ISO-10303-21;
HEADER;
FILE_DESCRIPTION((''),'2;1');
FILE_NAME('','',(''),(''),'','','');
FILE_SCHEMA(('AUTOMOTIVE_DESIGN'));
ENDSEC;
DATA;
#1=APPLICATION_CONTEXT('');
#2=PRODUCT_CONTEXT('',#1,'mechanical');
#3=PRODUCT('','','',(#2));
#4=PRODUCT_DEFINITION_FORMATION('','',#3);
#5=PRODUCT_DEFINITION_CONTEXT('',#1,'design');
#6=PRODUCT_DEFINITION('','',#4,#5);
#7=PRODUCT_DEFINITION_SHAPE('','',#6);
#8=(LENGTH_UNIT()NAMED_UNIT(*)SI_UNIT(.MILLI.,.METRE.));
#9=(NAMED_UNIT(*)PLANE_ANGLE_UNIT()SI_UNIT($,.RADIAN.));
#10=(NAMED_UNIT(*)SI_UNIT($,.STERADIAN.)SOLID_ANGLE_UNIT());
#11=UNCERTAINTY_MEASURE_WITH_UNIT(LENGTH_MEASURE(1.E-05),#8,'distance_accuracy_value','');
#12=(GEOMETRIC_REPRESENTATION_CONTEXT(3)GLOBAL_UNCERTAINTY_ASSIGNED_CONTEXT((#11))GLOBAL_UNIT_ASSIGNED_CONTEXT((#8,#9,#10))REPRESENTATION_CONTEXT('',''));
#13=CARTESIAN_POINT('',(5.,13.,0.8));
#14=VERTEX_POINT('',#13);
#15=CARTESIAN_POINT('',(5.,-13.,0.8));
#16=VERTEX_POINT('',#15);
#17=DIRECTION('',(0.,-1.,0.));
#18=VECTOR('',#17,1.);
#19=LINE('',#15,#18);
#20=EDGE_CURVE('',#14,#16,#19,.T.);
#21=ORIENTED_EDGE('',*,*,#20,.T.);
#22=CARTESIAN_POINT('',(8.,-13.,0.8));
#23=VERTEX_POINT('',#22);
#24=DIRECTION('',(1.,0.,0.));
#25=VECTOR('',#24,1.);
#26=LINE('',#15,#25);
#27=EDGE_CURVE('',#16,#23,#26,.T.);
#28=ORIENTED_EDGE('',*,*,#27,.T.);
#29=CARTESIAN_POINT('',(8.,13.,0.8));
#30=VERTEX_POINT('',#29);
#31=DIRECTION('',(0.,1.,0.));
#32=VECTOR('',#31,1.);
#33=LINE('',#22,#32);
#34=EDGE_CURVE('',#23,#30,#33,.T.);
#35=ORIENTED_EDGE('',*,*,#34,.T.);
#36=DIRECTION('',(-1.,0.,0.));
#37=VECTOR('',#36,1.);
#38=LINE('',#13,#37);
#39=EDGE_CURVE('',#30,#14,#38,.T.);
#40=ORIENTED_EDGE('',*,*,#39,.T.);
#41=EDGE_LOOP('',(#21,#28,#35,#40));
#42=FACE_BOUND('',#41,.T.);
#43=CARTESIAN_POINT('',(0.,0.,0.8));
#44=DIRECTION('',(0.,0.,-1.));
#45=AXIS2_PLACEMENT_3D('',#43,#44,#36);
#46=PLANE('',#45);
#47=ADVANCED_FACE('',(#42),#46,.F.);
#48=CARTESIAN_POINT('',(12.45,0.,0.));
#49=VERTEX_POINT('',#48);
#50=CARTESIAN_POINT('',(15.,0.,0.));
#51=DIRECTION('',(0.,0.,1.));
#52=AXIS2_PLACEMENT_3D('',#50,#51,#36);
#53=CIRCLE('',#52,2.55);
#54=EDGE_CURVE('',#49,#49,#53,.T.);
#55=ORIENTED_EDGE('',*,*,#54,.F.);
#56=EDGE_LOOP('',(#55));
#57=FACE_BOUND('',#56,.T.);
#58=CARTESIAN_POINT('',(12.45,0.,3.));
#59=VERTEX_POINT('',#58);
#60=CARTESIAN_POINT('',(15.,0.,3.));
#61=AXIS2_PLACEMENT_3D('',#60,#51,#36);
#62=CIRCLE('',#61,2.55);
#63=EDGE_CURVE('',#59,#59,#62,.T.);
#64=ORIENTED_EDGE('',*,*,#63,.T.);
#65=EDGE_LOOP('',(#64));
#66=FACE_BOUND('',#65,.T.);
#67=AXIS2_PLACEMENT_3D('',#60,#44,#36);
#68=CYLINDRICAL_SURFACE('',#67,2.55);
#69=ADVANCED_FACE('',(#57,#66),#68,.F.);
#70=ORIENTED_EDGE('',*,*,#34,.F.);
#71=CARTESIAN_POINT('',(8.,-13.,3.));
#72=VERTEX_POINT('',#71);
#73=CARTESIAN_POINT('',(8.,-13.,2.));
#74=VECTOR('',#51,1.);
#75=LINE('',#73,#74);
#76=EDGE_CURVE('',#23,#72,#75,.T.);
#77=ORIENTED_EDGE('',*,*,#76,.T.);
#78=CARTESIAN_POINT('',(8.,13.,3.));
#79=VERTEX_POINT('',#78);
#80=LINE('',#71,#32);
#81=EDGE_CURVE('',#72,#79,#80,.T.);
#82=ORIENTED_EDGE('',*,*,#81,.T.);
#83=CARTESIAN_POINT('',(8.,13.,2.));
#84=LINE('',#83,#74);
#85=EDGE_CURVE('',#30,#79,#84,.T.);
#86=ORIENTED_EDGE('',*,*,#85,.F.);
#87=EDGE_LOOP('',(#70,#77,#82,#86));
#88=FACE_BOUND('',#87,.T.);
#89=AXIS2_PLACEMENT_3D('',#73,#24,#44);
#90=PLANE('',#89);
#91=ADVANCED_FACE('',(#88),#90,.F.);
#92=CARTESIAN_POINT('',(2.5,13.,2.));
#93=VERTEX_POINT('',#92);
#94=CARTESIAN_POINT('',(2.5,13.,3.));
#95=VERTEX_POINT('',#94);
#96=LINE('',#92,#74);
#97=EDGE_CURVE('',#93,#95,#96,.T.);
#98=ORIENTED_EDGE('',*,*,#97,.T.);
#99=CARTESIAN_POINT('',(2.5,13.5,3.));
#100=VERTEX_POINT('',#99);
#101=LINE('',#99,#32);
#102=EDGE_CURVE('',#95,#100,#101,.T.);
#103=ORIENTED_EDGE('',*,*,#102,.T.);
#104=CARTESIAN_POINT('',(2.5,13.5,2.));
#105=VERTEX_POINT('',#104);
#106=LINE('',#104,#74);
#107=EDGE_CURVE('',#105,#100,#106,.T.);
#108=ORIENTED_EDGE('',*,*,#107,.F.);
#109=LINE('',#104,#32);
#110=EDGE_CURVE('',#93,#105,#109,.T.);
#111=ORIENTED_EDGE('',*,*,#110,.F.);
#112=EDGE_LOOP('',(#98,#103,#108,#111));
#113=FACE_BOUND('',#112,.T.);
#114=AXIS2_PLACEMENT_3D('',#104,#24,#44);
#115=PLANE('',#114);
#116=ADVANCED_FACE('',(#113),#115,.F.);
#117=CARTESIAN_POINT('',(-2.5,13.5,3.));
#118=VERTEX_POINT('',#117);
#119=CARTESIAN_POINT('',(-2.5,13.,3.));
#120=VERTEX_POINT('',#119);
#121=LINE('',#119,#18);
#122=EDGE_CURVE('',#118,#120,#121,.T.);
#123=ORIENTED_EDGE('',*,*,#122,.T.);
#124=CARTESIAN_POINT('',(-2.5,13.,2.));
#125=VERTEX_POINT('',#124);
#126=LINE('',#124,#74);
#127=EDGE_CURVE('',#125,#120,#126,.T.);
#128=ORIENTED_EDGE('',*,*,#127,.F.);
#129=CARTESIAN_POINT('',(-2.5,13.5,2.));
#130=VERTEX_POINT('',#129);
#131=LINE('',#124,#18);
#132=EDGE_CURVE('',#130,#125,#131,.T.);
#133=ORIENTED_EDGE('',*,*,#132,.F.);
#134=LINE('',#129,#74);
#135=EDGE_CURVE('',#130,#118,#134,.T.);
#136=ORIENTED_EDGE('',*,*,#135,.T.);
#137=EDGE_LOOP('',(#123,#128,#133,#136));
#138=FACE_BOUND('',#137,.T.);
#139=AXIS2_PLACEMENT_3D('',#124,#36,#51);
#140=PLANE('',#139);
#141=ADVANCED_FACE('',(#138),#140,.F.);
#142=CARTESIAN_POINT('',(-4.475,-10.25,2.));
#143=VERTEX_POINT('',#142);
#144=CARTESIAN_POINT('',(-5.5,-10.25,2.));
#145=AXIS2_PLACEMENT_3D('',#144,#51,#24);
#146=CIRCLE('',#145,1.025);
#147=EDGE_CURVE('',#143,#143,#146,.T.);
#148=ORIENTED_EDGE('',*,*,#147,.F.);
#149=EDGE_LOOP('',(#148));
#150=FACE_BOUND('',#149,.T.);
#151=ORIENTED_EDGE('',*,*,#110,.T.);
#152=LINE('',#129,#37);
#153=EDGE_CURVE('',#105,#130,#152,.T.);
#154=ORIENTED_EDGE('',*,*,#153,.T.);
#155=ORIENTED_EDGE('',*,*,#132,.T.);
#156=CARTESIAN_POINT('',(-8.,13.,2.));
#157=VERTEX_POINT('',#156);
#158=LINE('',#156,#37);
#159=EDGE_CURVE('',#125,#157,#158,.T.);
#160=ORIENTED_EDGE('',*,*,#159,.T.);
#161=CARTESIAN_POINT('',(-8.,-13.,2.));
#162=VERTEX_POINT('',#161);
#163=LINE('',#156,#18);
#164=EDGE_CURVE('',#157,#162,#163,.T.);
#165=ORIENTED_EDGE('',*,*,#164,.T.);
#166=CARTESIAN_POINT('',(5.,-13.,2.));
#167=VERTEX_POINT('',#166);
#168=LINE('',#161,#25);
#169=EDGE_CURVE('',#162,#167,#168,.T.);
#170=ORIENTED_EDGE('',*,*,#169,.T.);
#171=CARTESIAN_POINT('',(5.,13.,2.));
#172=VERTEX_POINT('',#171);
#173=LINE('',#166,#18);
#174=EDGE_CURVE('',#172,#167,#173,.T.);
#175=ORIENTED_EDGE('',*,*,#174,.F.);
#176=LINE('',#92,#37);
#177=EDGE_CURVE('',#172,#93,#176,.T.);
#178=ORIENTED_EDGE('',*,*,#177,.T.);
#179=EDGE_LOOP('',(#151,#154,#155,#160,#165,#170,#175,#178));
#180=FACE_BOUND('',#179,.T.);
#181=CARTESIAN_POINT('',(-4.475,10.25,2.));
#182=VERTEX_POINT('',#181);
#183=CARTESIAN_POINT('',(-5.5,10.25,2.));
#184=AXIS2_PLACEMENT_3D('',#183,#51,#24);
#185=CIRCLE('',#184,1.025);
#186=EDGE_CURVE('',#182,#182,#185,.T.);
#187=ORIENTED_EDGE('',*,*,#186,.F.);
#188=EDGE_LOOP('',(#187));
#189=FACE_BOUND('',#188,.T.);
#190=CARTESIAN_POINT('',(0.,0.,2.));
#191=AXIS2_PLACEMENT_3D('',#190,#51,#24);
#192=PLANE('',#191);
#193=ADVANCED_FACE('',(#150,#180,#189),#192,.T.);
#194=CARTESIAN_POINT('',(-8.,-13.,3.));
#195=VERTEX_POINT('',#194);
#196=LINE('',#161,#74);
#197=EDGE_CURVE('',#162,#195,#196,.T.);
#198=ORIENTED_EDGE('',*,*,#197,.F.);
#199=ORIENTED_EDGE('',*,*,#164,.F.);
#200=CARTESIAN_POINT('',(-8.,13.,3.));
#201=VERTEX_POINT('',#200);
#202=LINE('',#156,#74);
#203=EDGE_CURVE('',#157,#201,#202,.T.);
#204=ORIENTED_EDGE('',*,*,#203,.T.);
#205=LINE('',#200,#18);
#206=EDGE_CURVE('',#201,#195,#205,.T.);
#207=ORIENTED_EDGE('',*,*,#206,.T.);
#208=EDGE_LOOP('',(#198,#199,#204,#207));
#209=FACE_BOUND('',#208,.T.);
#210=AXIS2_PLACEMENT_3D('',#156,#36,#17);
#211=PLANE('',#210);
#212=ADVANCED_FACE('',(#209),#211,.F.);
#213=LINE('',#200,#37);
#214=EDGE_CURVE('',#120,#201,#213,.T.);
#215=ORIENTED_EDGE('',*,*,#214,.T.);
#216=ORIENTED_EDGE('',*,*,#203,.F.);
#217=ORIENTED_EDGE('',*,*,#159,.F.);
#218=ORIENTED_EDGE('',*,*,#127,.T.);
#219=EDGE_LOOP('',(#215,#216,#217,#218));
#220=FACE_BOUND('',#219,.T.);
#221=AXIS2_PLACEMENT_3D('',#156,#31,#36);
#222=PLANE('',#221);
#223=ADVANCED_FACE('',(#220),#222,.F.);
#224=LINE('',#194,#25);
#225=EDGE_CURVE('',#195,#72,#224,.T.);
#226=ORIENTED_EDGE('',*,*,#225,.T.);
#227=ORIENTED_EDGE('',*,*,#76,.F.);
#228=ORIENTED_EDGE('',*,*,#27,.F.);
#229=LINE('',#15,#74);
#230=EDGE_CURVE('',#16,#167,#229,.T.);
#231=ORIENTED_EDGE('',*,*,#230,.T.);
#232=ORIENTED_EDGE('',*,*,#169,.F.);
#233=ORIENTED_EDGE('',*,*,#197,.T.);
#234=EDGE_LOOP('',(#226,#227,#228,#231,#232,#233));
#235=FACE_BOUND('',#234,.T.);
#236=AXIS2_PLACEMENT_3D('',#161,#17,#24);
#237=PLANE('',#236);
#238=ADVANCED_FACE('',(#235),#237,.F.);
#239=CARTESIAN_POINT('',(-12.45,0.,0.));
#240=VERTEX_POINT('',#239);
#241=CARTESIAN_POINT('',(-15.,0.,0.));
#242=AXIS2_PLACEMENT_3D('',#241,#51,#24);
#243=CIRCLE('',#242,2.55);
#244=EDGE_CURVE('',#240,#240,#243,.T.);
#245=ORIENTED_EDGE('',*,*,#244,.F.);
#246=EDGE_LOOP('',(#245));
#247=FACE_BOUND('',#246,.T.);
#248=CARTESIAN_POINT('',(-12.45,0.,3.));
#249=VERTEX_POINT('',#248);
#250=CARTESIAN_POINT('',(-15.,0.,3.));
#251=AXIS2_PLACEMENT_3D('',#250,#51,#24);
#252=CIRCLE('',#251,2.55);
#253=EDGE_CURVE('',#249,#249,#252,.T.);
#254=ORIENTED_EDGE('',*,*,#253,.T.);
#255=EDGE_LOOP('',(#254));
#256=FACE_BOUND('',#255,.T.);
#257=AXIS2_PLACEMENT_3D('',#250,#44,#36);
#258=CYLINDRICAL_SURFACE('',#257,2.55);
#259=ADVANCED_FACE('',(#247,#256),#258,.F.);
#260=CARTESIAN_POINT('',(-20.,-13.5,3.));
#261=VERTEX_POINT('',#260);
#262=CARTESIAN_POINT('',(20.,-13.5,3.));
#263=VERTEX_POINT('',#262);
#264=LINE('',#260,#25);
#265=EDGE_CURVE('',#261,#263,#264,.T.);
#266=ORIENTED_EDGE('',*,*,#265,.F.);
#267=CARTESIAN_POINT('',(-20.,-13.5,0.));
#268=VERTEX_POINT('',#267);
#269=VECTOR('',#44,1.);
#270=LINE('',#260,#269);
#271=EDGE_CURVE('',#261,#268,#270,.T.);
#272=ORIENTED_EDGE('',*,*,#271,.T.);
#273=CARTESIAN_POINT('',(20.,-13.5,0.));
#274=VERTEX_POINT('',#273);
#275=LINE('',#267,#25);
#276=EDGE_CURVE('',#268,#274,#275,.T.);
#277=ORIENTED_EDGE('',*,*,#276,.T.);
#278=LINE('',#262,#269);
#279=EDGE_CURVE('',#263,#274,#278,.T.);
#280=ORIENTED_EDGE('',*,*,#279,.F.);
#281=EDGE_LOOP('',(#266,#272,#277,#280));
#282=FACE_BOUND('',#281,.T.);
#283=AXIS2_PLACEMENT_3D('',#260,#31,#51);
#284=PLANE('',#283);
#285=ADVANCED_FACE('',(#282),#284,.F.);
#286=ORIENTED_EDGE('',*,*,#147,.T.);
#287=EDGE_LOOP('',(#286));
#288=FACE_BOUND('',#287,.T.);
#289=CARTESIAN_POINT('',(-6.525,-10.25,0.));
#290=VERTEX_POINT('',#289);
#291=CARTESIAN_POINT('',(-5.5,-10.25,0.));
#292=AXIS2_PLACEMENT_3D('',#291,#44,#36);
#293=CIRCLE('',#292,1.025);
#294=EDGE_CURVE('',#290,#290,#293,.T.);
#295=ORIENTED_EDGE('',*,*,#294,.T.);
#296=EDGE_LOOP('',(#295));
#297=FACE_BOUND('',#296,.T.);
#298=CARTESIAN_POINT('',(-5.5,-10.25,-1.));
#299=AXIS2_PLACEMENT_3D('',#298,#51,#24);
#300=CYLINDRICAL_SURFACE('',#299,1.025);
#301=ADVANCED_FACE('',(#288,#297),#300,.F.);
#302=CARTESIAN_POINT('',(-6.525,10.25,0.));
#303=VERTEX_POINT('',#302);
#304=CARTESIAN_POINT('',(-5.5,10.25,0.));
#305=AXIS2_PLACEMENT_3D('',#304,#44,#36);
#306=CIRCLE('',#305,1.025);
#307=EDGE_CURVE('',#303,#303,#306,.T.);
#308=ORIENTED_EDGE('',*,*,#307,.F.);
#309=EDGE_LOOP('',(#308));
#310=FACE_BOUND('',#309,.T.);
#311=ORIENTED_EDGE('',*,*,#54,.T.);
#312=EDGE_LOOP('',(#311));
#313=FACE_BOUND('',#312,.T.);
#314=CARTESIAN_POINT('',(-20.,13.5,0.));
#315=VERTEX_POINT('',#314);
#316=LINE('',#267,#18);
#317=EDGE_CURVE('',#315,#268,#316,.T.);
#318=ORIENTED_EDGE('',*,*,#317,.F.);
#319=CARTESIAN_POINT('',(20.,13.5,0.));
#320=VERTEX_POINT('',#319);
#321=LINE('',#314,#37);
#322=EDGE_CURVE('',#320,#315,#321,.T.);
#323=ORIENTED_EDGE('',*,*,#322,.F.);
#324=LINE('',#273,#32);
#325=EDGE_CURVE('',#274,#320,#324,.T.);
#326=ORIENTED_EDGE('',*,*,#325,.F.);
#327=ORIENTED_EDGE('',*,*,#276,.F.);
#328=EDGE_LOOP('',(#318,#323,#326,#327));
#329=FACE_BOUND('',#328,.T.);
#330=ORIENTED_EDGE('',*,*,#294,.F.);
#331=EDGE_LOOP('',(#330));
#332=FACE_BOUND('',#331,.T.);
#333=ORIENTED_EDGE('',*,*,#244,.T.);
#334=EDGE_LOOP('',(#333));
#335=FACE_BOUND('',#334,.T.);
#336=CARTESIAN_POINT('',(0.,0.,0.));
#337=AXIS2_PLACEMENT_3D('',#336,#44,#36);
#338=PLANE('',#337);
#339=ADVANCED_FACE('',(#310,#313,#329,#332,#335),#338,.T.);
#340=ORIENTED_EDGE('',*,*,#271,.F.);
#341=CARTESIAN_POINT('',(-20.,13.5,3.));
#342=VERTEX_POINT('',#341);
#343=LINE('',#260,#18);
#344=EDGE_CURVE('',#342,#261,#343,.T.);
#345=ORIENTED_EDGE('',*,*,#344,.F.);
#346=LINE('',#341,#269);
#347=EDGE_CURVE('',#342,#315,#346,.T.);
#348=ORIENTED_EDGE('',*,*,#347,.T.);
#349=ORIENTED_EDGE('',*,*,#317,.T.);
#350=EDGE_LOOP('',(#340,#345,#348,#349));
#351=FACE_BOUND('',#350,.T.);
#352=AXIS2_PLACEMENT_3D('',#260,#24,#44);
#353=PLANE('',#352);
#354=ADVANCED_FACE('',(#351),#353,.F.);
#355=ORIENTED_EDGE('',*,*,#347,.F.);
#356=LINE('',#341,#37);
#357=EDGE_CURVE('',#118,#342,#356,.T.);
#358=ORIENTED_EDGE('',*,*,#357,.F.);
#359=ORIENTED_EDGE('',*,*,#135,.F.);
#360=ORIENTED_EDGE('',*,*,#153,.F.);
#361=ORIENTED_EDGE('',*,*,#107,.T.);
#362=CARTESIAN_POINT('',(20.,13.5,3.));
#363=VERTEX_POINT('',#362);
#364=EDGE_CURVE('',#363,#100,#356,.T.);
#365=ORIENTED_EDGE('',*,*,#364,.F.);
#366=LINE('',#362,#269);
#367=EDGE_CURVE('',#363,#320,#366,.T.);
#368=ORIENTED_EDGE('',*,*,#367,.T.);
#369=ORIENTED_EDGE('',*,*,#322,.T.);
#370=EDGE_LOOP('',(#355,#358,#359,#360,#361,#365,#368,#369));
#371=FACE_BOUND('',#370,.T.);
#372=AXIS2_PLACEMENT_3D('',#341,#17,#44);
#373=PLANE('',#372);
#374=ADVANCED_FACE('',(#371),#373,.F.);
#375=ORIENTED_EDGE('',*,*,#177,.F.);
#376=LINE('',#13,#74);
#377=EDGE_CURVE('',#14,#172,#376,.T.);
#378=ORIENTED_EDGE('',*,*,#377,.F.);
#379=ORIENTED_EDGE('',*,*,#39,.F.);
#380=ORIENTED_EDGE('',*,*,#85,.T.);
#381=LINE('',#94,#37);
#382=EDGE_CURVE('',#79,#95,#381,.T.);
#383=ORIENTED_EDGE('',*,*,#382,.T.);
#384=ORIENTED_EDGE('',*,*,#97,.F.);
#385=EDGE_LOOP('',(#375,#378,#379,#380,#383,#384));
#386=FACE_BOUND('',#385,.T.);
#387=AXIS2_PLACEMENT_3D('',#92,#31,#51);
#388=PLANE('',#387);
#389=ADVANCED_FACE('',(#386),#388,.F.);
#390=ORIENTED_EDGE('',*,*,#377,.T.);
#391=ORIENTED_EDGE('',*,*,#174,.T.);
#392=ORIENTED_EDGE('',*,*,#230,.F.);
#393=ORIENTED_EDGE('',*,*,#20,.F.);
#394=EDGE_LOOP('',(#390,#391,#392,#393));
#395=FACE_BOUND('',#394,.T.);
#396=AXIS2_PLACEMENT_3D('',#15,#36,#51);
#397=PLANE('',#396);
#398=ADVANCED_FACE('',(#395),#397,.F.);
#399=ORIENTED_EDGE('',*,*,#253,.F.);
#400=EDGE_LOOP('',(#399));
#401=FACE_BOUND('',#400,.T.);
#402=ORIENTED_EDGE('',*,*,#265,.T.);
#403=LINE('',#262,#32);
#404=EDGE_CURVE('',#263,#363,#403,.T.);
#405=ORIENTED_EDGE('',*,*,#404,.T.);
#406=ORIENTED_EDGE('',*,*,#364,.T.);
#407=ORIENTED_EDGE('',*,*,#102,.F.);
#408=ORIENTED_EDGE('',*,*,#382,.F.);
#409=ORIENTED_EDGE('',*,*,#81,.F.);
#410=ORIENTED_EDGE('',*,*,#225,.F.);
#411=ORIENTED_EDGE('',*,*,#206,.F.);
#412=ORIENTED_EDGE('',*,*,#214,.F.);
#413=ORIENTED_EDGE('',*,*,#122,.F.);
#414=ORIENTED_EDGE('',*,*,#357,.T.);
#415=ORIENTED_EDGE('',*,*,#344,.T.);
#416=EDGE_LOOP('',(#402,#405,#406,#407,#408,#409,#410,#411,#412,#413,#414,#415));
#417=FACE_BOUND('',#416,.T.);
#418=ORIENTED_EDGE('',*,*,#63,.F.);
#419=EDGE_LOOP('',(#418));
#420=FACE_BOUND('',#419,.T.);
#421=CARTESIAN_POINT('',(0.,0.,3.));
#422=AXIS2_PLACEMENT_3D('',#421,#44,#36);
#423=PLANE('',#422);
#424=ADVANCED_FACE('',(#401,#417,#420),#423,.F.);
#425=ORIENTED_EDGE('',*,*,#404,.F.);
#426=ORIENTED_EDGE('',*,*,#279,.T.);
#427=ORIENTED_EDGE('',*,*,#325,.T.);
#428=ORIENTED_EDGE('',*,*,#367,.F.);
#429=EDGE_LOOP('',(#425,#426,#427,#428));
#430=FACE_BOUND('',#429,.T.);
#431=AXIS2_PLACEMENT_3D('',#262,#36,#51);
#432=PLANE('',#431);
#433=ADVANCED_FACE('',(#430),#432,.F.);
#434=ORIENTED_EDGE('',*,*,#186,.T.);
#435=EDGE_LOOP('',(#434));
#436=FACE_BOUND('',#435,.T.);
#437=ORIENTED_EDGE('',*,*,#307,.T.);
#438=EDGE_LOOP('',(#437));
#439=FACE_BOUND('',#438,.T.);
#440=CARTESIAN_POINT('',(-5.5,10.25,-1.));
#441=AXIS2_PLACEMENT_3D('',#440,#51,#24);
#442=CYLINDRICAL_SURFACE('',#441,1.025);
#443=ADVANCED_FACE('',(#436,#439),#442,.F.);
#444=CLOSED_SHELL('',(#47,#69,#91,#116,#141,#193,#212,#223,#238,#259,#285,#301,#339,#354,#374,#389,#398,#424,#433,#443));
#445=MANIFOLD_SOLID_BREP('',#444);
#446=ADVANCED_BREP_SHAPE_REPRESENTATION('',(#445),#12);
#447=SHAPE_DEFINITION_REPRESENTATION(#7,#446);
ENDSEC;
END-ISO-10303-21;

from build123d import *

# Parameters (mm, degrees)
SKETCH3_W           = 40
SKETCH3_H           = 27
SKETCH3_R           = 2.55
BOSS_EXTRUDE1_DEPTH = 3
CUT_EXTRUDE1_DEPTH  = 1
SKETCH5_W           = 3
SKETCH5_H           = 26
CUT_EXTRUDE2_DEPTH  = 1.2
SKETCH6_R           = 1.025
CUT_EXTRUDE3_DEPTH  = 3


with BuildPart() as part:
    # Sketch3 → Boss-Extrude1 (new body)
    with BuildSketch(Plane.XY):
        Rectangle(SKETCH3_W, SKETCH3_H)
        with Locations((-15, 0)):
            Circle(SKETCH3_R, mode=Mode.SUBTRACT)
        with Locations((15, 0)):
            Circle(SKETCH3_R, mode=Mode.SUBTRACT)
    extrude(amount=BOSS_EXTRUDE1_DEPTH)

    # Sketch4 → Cut-Extrude1 (cut)
    with BuildSketch(Plane.XY.offset(3)):
        Polygon((-8, 13), (-8, -13), (8, -13), (8, 13), (2.5, 13), (2.5, 13.5), (-2.5, 13.5), (-2.5, 13), align=None)
    extrude(amount=-CUT_EXTRUDE1_DEPTH, mode=Mode.SUBTRACT)

    # Sketch5 → Cut-Extrude2 (cut)
    with BuildSketch(Plane.XY.offset(2)):
        with Locations((6.5, 0)):
            Rectangle(SKETCH5_W, SKETCH5_H)
    extrude(amount=-CUT_EXTRUDE2_DEPTH, mode=Mode.SUBTRACT)

    # Sketch6 → Cut-Extrude3 (cut)
    with BuildSketch(Plane.XY.offset(2)):
        with Locations((-5.5, 10.25)):
            Circle(SKETCH6_R)
        with Locations((-5.5, -10.25)):
            Circle(SKETCH6_R)
    extrude(amount=-CUT_EXTRUDE3_DEPTH, mode=Mode.SUBTRACT)


solid = part.part
